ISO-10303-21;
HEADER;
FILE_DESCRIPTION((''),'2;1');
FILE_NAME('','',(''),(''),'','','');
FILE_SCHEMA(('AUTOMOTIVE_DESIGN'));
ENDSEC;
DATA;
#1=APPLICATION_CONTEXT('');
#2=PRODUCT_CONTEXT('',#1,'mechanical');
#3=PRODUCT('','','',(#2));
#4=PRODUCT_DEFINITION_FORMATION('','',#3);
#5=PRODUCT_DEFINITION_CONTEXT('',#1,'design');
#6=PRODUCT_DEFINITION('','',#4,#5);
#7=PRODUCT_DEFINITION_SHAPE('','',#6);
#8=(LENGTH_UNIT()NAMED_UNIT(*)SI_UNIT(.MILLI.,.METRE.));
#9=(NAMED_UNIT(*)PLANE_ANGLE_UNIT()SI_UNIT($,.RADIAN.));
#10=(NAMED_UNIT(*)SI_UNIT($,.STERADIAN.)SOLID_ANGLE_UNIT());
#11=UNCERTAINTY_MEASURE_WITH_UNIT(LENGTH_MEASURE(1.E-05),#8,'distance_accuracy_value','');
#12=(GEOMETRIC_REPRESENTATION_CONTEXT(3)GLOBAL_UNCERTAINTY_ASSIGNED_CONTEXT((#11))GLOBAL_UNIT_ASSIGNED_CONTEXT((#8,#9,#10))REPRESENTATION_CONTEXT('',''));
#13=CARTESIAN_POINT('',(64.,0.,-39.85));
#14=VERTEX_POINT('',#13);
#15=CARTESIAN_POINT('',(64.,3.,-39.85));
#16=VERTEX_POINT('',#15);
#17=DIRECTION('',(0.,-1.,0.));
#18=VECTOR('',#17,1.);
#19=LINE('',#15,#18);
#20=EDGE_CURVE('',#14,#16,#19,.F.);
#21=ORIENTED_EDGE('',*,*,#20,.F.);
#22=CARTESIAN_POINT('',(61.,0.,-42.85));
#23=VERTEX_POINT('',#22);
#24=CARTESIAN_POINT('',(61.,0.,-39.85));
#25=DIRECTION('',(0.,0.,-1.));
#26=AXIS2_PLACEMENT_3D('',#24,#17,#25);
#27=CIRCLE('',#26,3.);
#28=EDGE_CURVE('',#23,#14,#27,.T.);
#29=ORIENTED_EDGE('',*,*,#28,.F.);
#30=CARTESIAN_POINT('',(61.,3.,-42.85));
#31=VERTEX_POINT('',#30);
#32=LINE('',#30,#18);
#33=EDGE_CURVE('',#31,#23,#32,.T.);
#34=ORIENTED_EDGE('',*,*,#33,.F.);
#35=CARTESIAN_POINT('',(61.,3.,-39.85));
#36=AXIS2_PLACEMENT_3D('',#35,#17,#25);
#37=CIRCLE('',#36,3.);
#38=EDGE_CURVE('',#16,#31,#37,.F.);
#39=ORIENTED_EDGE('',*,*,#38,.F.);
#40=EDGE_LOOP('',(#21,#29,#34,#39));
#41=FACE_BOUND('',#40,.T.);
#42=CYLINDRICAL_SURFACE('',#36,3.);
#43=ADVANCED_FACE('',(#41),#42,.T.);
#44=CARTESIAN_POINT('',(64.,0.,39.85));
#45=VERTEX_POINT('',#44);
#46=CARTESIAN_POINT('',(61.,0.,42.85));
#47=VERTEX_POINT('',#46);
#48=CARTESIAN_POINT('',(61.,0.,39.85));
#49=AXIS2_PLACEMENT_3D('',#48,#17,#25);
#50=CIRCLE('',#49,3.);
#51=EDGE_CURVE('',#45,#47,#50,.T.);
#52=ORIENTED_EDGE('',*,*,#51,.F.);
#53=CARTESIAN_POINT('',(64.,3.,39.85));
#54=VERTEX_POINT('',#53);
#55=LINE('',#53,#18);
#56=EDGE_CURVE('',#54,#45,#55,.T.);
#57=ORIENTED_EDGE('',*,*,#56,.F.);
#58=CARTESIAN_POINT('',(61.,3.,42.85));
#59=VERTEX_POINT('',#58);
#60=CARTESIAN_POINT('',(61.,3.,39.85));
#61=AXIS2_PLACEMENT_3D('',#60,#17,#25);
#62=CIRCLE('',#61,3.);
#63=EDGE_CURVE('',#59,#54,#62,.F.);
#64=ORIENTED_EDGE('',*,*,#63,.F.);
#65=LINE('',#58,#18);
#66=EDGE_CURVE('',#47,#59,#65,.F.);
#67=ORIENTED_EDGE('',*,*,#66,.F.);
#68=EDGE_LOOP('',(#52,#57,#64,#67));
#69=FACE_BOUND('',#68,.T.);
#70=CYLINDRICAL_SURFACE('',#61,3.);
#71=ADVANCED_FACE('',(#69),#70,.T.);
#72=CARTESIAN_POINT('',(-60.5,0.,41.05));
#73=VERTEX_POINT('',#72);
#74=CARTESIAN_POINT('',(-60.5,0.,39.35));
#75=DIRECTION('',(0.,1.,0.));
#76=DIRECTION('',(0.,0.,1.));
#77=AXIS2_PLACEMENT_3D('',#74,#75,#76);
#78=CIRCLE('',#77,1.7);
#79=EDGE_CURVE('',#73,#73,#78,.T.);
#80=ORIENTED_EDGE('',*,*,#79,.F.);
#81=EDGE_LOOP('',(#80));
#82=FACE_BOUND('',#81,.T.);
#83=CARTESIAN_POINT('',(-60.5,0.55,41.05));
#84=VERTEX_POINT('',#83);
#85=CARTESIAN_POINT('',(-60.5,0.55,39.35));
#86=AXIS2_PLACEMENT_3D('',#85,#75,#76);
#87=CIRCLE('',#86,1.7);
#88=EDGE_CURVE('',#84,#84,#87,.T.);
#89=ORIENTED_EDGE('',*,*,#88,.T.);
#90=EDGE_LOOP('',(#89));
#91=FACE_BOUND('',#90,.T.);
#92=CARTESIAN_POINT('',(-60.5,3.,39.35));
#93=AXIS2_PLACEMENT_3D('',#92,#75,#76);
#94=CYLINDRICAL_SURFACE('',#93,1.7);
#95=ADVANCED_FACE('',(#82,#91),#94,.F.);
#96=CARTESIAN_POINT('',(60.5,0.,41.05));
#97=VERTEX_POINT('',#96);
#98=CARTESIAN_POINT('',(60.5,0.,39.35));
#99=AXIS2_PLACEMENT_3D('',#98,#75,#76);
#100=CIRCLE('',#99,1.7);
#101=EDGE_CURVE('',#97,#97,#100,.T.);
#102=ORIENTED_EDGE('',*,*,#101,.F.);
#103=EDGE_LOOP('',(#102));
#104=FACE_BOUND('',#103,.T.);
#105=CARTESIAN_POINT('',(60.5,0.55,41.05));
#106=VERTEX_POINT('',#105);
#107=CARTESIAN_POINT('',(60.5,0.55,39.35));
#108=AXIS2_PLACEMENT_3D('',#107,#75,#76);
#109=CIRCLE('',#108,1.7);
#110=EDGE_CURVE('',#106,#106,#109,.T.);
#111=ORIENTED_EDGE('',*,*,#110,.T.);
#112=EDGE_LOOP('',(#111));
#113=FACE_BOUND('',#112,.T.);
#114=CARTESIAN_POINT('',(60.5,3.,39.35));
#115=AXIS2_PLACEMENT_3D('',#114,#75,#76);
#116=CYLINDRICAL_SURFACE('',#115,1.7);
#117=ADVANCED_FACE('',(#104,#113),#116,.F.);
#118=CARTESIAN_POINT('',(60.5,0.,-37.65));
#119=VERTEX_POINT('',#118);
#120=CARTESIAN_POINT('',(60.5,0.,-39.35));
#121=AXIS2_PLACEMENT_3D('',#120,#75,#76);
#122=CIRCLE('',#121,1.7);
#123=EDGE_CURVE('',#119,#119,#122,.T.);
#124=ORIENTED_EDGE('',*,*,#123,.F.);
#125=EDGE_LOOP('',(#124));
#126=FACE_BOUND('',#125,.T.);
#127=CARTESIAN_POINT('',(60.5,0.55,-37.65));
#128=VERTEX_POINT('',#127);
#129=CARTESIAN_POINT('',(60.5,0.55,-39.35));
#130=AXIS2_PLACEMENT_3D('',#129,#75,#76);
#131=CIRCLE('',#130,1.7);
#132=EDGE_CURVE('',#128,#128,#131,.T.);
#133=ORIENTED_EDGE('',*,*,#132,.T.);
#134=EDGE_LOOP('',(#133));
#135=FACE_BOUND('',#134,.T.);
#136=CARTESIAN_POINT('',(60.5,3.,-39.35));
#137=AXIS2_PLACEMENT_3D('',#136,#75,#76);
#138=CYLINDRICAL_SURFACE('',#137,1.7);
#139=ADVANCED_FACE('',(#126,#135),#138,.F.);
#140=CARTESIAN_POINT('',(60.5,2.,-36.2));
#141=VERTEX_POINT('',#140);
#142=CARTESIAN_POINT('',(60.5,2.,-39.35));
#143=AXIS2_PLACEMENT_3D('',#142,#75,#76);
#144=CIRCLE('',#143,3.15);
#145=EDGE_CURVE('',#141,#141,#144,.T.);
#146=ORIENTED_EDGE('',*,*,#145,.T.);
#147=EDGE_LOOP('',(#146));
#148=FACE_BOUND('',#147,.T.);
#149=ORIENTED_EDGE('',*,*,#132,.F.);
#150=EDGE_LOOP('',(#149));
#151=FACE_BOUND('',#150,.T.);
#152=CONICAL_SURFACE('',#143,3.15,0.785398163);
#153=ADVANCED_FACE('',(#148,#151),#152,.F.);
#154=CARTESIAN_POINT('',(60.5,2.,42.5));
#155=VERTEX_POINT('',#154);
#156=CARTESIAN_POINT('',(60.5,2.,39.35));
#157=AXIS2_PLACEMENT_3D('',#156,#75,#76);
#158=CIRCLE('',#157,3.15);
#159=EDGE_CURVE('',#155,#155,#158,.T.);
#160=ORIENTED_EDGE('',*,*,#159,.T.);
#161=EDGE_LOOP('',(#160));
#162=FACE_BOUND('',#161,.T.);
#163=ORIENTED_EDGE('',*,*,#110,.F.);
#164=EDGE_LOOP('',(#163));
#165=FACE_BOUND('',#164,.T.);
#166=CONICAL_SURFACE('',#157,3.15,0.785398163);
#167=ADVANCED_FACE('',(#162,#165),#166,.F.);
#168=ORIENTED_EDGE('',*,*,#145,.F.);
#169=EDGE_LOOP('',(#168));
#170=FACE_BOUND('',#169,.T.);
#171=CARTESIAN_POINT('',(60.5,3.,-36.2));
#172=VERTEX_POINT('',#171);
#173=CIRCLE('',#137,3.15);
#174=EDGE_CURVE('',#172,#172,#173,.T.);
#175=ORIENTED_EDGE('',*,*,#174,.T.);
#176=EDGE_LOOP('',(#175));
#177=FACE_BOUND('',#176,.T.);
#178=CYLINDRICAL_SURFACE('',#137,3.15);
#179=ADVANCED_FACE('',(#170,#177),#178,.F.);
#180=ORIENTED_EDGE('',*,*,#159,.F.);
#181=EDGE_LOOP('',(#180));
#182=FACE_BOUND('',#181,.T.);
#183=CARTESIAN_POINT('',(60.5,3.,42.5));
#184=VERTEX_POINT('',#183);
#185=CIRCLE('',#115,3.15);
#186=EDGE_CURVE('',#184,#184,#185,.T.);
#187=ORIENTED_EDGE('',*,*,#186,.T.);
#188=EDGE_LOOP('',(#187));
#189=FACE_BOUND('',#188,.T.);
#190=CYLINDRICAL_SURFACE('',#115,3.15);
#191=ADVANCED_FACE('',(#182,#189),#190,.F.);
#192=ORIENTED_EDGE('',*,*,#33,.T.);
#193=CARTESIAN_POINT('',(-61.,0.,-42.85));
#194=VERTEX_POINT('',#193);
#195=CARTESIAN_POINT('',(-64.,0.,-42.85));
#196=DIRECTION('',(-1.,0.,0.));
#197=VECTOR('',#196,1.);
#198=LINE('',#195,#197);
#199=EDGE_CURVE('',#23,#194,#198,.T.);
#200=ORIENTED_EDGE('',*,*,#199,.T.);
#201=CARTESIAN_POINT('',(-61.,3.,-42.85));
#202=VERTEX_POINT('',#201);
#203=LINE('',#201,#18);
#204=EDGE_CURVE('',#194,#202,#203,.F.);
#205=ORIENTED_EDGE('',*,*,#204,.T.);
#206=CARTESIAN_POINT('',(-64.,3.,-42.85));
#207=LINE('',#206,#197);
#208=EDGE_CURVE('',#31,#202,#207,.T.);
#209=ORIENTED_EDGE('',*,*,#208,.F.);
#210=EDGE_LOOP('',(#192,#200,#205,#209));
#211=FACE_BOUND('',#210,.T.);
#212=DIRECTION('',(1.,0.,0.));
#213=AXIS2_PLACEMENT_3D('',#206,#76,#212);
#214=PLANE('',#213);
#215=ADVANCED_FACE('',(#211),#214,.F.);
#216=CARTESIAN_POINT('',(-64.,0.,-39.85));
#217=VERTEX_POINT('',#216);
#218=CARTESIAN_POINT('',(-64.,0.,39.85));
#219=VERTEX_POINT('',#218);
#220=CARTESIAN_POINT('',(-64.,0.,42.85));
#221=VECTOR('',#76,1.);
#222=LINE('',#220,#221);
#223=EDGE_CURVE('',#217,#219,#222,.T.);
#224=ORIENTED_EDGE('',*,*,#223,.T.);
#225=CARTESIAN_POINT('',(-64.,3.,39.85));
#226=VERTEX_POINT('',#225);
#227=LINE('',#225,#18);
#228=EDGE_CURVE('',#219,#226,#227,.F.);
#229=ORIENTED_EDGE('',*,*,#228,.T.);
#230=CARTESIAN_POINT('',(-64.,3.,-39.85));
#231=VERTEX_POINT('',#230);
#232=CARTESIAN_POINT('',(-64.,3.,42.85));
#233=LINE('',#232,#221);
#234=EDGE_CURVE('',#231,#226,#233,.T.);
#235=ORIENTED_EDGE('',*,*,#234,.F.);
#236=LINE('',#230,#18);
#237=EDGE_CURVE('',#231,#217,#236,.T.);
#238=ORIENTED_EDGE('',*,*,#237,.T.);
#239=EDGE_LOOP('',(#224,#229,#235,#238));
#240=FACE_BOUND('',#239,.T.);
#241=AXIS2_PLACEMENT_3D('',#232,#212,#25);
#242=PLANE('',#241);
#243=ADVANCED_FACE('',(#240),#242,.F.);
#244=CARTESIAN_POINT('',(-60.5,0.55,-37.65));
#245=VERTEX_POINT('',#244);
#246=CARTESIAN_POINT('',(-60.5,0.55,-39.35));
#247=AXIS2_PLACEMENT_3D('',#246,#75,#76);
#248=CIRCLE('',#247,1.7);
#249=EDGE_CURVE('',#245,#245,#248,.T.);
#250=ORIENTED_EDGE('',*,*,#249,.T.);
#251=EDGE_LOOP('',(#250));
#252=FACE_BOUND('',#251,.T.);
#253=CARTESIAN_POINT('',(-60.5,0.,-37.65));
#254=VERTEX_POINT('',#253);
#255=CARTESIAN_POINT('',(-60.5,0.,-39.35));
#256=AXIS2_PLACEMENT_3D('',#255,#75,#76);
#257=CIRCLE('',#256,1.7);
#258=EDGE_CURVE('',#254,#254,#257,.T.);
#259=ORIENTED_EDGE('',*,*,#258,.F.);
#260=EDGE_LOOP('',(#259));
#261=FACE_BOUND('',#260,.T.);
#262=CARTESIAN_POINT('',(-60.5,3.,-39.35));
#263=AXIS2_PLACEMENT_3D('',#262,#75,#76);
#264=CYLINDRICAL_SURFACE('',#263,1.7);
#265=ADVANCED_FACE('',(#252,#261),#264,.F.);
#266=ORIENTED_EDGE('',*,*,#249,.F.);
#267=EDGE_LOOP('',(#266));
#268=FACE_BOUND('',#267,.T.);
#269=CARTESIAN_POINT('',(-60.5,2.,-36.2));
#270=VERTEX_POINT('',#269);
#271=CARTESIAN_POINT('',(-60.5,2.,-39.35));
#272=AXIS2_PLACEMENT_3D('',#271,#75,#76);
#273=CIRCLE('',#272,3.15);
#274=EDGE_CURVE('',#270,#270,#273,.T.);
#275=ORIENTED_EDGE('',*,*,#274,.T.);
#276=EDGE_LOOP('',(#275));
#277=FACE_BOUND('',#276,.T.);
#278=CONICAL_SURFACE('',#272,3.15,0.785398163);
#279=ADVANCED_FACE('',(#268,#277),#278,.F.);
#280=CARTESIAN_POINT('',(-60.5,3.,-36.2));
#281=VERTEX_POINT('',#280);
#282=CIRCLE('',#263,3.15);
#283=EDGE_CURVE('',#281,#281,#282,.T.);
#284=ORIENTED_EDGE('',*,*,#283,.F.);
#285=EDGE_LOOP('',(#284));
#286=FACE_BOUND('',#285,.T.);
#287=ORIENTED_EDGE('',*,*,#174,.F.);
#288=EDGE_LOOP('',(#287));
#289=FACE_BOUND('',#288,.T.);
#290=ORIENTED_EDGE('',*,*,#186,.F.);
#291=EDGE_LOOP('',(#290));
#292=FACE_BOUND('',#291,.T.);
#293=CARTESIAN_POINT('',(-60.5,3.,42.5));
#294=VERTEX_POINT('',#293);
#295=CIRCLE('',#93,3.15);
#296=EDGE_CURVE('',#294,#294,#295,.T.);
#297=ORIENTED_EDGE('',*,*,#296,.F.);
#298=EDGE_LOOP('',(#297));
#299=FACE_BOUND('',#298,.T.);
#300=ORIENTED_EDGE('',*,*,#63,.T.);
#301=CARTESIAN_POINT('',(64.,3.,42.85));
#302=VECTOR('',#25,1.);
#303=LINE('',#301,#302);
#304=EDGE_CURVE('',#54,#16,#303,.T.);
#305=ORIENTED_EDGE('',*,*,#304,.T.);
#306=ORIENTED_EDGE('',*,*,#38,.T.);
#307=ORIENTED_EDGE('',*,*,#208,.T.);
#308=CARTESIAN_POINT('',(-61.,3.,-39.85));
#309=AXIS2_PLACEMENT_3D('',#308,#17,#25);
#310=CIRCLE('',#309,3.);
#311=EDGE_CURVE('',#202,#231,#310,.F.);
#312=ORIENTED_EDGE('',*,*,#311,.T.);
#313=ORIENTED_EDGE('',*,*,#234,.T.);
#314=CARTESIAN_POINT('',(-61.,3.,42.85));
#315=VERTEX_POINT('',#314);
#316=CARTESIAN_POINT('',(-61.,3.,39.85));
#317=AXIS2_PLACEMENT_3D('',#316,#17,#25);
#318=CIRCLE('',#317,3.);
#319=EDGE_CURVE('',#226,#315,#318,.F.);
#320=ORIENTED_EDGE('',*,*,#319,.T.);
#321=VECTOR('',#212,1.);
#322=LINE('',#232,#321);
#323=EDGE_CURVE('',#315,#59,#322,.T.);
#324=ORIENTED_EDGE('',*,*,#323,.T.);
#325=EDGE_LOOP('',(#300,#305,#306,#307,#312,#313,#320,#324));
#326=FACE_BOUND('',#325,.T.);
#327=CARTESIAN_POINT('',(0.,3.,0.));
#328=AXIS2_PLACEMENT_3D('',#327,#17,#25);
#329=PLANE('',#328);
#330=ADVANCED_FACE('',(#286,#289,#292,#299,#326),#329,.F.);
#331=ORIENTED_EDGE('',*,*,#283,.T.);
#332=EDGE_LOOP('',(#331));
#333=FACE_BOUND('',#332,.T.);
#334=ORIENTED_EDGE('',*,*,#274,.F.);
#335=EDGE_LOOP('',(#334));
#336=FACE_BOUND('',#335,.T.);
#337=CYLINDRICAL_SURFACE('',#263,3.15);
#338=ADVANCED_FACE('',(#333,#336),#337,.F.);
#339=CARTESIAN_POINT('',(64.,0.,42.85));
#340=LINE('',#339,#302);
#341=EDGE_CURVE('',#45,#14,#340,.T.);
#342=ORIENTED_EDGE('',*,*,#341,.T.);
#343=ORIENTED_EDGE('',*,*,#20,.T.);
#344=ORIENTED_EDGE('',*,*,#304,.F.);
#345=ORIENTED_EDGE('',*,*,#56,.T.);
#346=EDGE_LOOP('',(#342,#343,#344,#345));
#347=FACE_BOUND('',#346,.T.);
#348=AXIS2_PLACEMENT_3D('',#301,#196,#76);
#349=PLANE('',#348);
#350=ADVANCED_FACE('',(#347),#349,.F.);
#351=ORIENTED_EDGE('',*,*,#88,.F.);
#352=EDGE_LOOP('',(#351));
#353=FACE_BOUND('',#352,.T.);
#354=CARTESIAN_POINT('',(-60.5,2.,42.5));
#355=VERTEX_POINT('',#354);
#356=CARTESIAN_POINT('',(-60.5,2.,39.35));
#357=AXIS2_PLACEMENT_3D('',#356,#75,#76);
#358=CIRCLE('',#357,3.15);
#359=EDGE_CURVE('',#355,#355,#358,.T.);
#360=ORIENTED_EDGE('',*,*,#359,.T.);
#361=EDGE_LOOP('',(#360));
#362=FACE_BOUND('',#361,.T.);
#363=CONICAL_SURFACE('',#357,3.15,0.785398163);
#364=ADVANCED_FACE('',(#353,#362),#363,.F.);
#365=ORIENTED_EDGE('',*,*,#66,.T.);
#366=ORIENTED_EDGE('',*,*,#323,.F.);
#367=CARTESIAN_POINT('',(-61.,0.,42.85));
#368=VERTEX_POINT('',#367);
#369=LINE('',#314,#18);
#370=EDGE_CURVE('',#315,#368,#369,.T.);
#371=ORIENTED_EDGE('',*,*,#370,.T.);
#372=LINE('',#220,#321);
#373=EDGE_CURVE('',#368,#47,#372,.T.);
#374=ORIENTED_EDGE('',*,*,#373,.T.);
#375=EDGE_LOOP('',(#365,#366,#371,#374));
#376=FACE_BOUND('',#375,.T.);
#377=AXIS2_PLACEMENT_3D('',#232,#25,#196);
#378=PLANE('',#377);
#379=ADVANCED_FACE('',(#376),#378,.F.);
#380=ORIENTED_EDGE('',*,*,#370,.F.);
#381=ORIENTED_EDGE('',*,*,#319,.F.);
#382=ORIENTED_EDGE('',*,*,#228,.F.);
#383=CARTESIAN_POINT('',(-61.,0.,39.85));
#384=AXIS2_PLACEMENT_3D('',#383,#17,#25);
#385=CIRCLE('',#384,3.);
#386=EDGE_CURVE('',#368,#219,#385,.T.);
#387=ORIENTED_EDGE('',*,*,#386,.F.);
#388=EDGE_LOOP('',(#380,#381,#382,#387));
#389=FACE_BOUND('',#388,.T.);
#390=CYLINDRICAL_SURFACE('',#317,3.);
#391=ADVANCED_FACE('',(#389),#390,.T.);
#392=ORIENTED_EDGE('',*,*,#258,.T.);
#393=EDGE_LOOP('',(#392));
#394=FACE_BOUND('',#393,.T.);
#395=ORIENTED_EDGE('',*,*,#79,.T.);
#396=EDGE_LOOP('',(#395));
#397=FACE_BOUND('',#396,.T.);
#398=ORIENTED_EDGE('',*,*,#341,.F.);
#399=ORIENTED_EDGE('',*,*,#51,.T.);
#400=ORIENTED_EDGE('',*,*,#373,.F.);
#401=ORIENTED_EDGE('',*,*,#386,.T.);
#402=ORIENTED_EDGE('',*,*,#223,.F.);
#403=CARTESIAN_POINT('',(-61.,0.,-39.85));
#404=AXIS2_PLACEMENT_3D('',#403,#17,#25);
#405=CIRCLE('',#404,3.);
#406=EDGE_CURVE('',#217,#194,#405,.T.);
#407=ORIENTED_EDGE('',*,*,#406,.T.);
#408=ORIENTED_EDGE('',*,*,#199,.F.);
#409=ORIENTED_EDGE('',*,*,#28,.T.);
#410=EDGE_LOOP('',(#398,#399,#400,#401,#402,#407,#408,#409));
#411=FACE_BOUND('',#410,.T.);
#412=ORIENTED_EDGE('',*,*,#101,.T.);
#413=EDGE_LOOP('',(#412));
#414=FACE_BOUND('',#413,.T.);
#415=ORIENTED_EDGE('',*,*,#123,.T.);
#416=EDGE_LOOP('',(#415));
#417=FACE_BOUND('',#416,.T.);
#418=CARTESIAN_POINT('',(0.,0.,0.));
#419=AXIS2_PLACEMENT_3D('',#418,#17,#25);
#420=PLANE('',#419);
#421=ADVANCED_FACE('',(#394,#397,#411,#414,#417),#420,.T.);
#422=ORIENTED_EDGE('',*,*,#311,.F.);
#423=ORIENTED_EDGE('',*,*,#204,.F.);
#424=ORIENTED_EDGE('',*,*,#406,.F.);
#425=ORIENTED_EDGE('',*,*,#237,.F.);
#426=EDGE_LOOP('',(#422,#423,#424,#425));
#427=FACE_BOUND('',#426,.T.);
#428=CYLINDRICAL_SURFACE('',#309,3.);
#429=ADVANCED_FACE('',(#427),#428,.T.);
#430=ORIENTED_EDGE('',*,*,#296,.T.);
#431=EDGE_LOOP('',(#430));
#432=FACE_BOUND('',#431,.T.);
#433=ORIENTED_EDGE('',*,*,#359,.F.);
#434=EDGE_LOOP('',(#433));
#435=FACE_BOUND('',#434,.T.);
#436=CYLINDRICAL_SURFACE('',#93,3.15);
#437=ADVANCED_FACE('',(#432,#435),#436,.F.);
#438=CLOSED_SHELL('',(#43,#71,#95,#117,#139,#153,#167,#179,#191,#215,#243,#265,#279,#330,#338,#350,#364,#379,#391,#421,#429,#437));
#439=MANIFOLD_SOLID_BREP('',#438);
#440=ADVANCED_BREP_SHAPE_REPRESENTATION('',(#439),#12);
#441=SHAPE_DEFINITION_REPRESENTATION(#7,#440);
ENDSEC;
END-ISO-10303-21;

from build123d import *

# Parameters (mm, degrees)
SKETCH1_W                                      = 128
SKETCH1_H                                      = 85.7
BOSS_EXTRUDE1_DEPTH                            = 3
CSK_FOR_M3_FLAT_HEAD_MACHINE_SCREW1_AT_2_COUNT = 2
CSK_FOR_M3_FLAT_HEAD_MACHINE_SCREW1_AT_2_PITCH = 121
CSK_FOR_M3_FLAT_HEAD_MACHINE_SCREW1_AT_3_COUNT = 2
CSK_FOR_M3_FLAT_HEAD_MACHINE_SCREW1_AT_3_PITCH = 144.342266852
CSK_FOR_M3_FLAT_HEAD_MACHINE_SCREW1_AT_4_COUNT = 2
CSK_FOR_M3_FLAT_HEAD_MACHINE_SCREW1_AT_4_PITCH = 78.7
FILLET1_R                                      = 3


with BuildPart() as part:
    # Sketch1 → Boss-Extrude1 (new body)
    with BuildSketch(Plane(origin=(0, 0, 0), x_dir=(1, 0, 0), z_dir=(0, 1, 0))):
        Rectangle(SKETCH1_W, SKETCH1_H)
    extrude(amount=BOSS_EXTRUDE1_DEPTH)

    # Sketch3 → CSK for M3 Flat Head Machine Screw1 (revolve, cut)
    with BuildSketch(Plane(origin=(-60.5, 3, -39.35), x_dir=(0, 0, 1), z_dir=(1, 0, 0))):
        Polygon((0, 0), (0, 4.021463052), (1.7, 3), (1.7, 2.45), (3.15, 1), (3.15, 0), align=None)
    csk_for_m3_flat_head_machine_screw1 = revolve(axis=Axis((-60.5, 9.35, -39.35), (0, -1, 0)), mode=Mode.SUBTRACT)

    # CSK for M3 Flat Head Machine Screw1 at 2: CSK for M3 Flat Head Machine Screw1 ×2
    with Locations(*[(i * CSK_FOR_M3_FLAT_HEAD_MACHINE_SCREW1_AT_2_PITCH, 0, 0) for i in range(1, CSK_FOR_M3_FLAT_HEAD_MACHINE_SCREW1_AT_2_COUNT)]):
        add(csk_for_m3_flat_head_machine_screw1, mode=Mode.SUBTRACT)

    # CSK for M3 Flat Head Machine Screw1 at 3: CSK for M3 Flat Head Machine Screw1 ×2
    with Locations(*[Vector(0.8382852967384159, 0, 0.54523184176292) * (i * CSK_FOR_M3_FLAT_HEAD_MACHINE_SCREW1_AT_3_PITCH) for i in range(1, CSK_FOR_M3_FLAT_HEAD_MACHINE_SCREW1_AT_3_COUNT)]):
        add(csk_for_m3_flat_head_machine_screw1, mode=Mode.SUBTRACT)

    # CSK for M3 Flat Head Machine Screw1 at 4: CSK for M3 Flat Head Machine Screw1 ×2
    with Locations(*[(0, 0, i * CSK_FOR_M3_FLAT_HEAD_MACHINE_SCREW1_AT_4_PITCH) for i in range(1, CSK_FOR_M3_FLAT_HEAD_MACHINE_SCREW1_AT_4_COUNT)]):
        add(csk_for_m3_flat_head_machine_screw1, mode=Mode.SUBTRACT)

    # Fillet1
    fillet1_edges = [part.edges().sort_by_distance(p)[0] for p in [
        (64, 1.5, 42.85),
        (-64, 1.5, 42.85),
        (-64, 1.5, -42.85),
        (64, 1.5, -42.85),
    ]]
    fillet(fillet1_edges, radius=FILLET1_R)


solid = part.part
